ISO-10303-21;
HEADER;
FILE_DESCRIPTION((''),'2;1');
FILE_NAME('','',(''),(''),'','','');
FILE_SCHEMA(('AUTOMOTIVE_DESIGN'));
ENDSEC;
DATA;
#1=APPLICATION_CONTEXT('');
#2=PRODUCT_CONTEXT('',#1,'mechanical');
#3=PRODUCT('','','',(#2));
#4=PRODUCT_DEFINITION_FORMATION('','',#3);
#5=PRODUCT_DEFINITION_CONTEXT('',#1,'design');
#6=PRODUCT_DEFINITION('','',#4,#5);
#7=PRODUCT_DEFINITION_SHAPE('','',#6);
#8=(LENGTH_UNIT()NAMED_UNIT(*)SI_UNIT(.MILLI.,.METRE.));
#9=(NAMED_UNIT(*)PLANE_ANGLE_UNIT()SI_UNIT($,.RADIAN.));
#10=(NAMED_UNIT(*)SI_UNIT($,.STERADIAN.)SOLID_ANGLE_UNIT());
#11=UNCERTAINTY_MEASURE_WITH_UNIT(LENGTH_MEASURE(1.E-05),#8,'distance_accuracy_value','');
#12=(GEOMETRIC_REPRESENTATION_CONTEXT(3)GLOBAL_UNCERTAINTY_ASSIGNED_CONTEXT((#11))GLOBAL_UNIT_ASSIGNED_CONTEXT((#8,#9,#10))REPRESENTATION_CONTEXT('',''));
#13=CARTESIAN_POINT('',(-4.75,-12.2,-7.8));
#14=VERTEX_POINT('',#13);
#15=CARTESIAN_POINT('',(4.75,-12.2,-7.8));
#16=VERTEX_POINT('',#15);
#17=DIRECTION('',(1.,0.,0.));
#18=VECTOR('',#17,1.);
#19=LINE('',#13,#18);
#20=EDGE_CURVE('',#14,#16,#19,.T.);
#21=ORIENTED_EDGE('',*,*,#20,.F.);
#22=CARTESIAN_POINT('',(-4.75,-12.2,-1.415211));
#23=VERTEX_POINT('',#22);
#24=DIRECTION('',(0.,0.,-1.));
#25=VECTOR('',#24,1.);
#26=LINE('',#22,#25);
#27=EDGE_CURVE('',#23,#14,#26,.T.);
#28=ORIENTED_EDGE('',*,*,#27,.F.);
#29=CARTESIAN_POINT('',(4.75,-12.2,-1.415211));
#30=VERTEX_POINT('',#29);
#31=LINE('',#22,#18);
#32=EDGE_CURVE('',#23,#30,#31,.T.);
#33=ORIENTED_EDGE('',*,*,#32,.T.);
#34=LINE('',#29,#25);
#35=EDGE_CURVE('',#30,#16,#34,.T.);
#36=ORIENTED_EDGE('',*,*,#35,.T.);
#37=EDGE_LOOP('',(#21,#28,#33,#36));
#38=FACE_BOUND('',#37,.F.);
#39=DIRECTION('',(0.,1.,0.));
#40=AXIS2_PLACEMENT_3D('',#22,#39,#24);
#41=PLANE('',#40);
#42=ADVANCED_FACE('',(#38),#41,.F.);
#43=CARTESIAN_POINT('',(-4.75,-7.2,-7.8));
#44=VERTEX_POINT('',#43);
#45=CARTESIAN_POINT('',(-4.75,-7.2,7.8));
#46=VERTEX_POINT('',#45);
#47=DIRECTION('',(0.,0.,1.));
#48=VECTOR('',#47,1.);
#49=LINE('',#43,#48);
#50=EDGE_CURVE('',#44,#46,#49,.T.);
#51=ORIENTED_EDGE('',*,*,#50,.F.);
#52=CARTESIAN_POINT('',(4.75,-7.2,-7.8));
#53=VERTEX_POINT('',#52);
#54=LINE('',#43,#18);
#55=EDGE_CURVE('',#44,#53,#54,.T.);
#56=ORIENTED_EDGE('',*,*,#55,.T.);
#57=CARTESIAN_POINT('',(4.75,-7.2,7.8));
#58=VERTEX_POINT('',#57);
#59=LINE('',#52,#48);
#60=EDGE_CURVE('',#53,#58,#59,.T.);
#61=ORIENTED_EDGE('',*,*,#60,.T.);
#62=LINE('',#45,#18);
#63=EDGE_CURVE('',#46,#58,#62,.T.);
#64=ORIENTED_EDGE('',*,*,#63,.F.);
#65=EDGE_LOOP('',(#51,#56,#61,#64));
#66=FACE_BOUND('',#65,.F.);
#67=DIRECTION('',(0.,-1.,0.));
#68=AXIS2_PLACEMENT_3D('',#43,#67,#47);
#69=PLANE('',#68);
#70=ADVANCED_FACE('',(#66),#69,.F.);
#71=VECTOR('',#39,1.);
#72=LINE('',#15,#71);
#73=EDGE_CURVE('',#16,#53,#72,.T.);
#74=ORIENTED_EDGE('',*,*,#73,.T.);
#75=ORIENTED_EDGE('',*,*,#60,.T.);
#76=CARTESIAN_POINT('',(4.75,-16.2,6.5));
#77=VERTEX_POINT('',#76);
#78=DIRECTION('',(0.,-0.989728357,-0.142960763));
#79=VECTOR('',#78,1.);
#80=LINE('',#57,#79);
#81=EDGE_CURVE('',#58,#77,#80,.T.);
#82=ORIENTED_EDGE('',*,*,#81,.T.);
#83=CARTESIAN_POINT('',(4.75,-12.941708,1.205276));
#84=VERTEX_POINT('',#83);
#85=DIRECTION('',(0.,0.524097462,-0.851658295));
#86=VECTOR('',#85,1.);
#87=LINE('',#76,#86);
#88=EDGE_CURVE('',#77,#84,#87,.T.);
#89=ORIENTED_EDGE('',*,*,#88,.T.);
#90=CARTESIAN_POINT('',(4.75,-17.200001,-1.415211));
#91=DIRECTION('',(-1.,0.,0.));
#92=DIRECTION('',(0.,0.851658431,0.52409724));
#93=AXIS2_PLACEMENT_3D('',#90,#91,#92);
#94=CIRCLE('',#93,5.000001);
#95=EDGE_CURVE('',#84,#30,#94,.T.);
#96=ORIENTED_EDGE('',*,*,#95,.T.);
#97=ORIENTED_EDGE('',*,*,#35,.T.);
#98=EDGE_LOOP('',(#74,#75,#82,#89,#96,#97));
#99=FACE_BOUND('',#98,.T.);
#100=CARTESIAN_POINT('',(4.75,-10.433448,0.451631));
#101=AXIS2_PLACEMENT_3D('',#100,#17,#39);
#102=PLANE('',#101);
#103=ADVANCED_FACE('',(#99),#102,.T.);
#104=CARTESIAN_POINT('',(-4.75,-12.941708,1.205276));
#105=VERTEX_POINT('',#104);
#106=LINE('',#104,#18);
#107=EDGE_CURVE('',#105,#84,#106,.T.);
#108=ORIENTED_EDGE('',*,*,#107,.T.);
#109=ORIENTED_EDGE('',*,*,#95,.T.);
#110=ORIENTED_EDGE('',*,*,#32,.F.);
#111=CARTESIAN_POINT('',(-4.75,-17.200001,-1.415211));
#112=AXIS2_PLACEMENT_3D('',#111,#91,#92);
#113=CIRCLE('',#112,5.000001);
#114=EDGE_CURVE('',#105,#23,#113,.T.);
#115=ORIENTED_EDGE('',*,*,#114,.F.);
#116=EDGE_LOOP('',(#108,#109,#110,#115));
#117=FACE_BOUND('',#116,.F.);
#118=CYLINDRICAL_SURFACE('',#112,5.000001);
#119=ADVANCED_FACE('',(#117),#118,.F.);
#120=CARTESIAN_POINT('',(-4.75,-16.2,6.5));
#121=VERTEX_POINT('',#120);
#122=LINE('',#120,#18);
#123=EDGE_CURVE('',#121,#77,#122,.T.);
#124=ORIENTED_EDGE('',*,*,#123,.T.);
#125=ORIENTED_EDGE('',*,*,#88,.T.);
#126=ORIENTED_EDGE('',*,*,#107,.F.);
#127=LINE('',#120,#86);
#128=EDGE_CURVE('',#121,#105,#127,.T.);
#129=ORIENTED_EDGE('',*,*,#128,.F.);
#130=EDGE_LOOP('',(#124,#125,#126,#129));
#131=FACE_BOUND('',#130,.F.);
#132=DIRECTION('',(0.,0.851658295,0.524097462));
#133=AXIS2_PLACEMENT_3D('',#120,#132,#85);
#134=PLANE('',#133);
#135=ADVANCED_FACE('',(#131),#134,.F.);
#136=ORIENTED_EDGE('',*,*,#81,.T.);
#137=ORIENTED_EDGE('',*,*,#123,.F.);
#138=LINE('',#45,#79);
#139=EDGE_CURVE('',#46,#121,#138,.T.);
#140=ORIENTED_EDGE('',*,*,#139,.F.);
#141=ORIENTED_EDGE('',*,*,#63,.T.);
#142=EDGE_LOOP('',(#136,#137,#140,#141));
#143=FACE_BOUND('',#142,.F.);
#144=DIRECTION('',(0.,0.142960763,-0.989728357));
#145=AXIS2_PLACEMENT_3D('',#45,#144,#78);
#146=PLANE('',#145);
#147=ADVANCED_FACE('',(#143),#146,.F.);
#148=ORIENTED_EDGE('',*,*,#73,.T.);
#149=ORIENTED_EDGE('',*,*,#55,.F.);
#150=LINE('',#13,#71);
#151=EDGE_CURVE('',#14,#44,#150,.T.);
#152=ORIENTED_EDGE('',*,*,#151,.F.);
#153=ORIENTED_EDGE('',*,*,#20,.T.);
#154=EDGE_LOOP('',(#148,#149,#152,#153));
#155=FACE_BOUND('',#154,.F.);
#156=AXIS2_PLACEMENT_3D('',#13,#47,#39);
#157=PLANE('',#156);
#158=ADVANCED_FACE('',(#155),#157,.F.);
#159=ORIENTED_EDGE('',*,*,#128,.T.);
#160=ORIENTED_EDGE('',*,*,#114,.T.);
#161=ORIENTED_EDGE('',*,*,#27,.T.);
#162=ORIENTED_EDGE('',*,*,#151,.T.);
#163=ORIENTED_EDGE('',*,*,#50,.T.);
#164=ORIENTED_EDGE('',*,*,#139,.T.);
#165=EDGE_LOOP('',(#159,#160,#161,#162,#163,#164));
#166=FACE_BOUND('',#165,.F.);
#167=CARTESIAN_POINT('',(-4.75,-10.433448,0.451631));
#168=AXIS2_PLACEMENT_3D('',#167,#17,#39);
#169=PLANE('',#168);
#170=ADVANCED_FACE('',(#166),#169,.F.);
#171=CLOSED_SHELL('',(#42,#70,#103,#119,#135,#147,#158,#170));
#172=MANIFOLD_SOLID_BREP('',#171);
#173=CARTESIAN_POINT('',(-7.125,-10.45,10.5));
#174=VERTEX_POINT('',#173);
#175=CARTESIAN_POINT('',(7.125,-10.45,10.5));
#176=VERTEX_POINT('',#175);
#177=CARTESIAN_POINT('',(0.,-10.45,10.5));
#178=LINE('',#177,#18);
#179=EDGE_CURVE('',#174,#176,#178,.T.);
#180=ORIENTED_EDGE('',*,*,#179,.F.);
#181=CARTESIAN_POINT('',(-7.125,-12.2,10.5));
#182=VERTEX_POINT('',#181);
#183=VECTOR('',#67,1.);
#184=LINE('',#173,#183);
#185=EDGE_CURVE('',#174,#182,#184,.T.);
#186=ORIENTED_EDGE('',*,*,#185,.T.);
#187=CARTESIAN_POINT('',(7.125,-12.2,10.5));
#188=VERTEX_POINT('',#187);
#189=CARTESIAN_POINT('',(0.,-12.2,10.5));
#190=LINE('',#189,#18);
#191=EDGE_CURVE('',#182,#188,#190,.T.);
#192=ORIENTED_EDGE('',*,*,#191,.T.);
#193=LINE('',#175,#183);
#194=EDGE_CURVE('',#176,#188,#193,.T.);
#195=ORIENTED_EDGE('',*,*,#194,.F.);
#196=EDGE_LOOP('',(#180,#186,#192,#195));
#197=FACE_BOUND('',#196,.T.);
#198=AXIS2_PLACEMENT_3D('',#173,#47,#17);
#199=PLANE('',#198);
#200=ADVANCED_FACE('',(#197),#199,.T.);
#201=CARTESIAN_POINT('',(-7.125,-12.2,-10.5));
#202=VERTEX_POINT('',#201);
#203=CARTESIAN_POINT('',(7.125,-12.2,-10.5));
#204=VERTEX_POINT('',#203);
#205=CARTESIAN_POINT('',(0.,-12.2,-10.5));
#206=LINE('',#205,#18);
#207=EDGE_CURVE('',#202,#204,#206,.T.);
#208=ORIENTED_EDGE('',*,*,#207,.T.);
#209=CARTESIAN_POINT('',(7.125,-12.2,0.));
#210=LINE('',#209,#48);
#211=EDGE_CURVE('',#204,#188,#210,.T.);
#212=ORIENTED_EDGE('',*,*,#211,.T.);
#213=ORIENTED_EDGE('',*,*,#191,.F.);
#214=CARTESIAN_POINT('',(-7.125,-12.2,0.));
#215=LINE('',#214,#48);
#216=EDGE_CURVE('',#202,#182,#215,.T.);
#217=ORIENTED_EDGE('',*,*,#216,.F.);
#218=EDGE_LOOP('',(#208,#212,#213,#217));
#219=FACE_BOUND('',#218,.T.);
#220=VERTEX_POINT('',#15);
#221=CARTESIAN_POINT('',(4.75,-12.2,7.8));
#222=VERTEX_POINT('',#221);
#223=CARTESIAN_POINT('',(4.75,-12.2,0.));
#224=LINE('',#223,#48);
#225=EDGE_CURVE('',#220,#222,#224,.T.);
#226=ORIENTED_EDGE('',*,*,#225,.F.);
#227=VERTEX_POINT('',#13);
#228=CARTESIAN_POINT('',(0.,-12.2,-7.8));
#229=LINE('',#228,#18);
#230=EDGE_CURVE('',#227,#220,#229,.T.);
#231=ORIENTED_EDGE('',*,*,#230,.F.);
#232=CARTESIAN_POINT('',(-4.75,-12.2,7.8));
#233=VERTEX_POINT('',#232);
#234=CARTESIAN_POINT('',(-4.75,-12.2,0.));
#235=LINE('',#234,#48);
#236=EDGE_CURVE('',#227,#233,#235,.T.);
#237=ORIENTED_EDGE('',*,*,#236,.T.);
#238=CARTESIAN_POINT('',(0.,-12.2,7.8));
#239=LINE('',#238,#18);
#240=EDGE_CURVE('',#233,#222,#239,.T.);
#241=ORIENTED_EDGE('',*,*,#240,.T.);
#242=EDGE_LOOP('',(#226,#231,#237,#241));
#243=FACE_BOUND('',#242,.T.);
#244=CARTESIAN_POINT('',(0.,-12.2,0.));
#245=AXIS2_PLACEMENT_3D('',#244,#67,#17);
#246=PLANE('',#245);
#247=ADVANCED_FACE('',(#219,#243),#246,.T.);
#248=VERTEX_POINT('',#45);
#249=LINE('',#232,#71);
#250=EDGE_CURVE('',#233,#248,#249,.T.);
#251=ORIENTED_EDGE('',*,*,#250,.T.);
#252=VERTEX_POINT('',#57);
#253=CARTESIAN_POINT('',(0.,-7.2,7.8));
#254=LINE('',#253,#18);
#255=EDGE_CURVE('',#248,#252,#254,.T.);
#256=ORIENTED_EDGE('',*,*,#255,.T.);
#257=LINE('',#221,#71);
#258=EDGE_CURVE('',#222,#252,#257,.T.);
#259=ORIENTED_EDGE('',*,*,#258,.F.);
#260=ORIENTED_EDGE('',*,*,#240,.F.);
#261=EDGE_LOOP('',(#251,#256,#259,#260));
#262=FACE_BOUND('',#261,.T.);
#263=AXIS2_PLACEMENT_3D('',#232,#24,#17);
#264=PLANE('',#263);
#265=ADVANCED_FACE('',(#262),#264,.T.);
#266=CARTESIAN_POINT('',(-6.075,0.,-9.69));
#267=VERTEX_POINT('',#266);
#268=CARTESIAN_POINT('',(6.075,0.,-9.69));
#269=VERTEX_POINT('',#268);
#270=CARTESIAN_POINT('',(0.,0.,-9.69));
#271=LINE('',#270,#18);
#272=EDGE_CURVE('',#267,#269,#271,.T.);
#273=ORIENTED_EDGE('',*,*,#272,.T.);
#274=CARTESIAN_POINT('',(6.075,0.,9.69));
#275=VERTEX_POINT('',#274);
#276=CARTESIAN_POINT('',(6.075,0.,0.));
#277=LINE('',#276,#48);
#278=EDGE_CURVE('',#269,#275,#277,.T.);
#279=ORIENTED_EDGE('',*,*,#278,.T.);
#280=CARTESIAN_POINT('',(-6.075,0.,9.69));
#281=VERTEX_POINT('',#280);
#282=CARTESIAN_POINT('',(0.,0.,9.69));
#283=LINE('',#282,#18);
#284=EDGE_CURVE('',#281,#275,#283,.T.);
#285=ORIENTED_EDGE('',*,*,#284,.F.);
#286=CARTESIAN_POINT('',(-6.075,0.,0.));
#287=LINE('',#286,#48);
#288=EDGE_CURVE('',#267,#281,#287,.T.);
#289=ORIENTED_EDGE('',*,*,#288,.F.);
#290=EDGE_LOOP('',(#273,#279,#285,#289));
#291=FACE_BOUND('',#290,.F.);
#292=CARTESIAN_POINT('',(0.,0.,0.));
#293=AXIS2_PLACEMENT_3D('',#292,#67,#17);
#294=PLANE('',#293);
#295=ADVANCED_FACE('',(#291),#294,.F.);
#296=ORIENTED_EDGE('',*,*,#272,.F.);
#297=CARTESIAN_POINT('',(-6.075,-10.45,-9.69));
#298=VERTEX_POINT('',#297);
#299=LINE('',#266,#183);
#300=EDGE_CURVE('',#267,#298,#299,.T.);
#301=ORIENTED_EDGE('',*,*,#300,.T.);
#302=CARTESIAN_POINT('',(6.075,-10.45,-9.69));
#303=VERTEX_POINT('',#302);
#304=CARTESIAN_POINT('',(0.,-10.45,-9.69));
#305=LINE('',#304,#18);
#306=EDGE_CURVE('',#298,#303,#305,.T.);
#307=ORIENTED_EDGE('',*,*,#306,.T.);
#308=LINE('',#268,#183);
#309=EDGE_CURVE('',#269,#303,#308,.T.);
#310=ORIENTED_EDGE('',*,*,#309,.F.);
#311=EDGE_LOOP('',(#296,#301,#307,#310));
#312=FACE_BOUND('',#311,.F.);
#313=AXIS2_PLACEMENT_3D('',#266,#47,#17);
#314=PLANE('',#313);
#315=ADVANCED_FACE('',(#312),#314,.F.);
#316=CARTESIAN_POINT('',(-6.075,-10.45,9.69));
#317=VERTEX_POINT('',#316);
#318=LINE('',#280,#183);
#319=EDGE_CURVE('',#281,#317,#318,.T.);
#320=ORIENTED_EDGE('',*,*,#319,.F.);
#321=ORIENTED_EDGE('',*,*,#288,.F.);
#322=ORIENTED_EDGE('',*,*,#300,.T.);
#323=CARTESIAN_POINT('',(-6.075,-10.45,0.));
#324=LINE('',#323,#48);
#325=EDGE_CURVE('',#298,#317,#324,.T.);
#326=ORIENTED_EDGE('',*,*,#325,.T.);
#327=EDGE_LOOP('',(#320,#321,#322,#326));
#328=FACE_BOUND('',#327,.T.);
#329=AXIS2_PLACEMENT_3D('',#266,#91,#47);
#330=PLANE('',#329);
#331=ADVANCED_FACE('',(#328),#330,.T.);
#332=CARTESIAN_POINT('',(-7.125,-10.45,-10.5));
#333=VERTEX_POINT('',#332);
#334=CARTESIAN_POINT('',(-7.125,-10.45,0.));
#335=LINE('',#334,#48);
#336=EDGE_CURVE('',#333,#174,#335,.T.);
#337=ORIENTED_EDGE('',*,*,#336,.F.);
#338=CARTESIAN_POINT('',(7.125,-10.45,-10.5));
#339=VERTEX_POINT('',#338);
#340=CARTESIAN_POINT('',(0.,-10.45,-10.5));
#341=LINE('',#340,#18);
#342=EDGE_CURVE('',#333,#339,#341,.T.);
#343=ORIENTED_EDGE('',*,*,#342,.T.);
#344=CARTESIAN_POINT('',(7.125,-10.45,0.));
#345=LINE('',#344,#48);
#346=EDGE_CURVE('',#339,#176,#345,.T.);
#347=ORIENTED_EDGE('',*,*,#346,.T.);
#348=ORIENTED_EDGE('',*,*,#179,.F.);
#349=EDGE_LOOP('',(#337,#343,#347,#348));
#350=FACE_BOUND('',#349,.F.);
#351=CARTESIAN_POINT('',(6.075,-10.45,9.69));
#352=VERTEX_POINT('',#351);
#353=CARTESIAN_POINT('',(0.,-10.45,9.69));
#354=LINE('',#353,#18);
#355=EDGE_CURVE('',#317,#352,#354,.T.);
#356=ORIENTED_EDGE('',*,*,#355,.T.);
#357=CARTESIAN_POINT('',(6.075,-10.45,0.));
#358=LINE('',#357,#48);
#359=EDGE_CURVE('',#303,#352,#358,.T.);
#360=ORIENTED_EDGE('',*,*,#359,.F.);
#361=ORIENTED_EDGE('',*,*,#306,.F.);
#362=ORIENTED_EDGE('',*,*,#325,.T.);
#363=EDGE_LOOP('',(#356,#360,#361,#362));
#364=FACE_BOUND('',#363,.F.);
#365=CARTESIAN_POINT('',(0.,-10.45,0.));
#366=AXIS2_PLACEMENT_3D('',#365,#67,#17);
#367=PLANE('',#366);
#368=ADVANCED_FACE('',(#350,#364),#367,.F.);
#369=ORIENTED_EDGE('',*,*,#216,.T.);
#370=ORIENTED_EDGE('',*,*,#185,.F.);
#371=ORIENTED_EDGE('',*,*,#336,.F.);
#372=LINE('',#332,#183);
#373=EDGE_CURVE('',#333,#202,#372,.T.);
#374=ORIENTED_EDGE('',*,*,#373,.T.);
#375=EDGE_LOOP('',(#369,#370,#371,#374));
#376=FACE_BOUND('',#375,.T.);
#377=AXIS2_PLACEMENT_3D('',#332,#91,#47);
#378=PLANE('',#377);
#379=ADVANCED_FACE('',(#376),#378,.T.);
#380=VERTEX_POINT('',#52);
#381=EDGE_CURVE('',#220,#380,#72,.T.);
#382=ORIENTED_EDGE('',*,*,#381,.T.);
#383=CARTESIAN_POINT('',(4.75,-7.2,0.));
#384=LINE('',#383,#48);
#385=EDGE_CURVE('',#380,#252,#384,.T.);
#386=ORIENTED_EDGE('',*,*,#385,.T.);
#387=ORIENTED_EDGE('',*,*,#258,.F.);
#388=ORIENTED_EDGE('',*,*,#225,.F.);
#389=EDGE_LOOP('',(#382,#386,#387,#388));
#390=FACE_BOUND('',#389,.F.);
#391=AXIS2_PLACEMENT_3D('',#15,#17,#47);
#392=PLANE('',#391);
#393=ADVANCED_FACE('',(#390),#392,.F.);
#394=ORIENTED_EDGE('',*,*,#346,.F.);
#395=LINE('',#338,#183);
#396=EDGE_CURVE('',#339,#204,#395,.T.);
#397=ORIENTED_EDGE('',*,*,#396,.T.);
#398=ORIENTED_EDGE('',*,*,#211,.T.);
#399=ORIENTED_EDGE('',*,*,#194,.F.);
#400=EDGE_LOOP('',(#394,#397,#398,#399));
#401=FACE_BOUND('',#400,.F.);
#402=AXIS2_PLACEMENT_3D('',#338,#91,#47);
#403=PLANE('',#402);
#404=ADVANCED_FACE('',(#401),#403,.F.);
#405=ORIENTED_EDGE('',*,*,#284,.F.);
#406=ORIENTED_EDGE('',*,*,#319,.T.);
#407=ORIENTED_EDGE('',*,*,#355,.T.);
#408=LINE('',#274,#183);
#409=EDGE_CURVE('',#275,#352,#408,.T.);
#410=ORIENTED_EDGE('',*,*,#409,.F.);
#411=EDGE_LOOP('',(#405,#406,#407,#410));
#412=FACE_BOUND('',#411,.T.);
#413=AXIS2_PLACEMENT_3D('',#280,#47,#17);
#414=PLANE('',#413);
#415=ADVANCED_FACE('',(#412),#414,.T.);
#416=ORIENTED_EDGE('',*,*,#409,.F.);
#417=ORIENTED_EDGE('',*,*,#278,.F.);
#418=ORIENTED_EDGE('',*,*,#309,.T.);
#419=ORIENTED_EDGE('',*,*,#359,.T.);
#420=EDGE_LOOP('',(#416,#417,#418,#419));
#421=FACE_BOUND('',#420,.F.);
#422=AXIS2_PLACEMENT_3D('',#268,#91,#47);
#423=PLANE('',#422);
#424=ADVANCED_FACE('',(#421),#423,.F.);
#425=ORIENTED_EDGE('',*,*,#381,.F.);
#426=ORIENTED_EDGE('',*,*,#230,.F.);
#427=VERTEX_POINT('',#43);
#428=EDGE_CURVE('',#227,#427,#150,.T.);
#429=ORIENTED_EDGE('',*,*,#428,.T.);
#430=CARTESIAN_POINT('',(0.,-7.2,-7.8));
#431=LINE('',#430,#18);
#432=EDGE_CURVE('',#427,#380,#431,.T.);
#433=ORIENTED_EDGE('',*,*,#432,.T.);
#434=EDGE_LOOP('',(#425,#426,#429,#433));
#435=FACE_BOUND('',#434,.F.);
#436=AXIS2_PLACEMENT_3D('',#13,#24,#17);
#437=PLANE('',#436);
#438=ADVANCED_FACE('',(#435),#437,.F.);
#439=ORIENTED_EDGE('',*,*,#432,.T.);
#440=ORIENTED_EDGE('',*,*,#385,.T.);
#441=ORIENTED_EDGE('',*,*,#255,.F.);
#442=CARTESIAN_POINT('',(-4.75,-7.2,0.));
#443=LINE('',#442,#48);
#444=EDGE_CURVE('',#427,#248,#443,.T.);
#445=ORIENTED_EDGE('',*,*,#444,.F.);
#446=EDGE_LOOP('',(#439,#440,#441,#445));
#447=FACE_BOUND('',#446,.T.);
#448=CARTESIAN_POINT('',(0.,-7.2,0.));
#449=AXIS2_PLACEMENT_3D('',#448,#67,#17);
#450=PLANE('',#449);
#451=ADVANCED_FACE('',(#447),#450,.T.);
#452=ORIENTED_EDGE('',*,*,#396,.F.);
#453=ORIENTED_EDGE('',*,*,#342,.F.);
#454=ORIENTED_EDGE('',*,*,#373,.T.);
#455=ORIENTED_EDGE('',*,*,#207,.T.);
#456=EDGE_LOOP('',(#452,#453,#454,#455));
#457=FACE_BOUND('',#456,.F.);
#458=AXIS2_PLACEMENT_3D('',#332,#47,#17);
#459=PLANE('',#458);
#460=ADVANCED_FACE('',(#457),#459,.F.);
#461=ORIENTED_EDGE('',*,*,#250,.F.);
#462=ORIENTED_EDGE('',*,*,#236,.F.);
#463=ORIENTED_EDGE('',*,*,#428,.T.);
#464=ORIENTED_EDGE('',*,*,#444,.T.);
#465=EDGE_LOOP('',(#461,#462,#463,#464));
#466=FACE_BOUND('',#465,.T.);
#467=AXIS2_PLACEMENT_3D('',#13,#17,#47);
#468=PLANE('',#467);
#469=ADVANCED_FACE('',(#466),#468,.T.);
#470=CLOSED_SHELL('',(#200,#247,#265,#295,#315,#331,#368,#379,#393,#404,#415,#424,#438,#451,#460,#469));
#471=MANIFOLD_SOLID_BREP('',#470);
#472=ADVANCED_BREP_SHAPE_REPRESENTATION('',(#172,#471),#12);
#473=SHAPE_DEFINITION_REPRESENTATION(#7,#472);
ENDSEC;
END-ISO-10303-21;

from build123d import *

# Parameters (mm, degrees)
F0_W     = 12.15
F0_H     = 19.38
F1_DEPTH = 10.45
F2_W     = 14.25
F2_H     = 21
F3_DEPTH = 1.75
F4_W     = 9.5
F4_H     = 15.6
F5_DEPTH = 5
F7_DEPTH = 9.5


with BuildPart() as f1:
    # F0 (on Front) → F1 (new body)
    with BuildSketch(Plane.XZ):
        Rectangle(F0_W, F0_H)
    extrude(amount=F1_DEPTH)

    # F2 (on face) → F3 (join)
    with BuildSketch(Plane.XZ.offset(10.45)):
        Rectangle(F2_W, F2_H)
    extrude(amount=F3_DEPTH)

    # F4 (on face) → F5 (cut)
    with BuildSketch(Plane.XZ.offset(12.2)):
        Rectangle(F4_W, F4_H)
    extrude(amount=-F5_DEPTH, mode=Mode.SUBTRACT)


with BuildPart() as f7:
    # F6 (on face) → F7 (new body)
    with BuildSketch(Plane.YZ.offset(-4.75)):
        with BuildLine():
            Line((-12.2, -1.415211), (-12.2, -7.8))
            Line((-12.2, -7.8), (-7.2, -7.8))
            Line((-7.2, -7.8), (-7.2, 7.8))
            Line((-7.2, 7.8), (-16.2, 6.5))
            Line((-16.2, 6.5), (-12.941708, 1.205276))
            ThreePointArc((-12.941708, 1.205276), (-12.388999, -0.053495), (-12.2, -1.415211))
        make_face()
    extrude(amount=F7_DEPTH)


solid = Compound([f1.part, f7.part])
